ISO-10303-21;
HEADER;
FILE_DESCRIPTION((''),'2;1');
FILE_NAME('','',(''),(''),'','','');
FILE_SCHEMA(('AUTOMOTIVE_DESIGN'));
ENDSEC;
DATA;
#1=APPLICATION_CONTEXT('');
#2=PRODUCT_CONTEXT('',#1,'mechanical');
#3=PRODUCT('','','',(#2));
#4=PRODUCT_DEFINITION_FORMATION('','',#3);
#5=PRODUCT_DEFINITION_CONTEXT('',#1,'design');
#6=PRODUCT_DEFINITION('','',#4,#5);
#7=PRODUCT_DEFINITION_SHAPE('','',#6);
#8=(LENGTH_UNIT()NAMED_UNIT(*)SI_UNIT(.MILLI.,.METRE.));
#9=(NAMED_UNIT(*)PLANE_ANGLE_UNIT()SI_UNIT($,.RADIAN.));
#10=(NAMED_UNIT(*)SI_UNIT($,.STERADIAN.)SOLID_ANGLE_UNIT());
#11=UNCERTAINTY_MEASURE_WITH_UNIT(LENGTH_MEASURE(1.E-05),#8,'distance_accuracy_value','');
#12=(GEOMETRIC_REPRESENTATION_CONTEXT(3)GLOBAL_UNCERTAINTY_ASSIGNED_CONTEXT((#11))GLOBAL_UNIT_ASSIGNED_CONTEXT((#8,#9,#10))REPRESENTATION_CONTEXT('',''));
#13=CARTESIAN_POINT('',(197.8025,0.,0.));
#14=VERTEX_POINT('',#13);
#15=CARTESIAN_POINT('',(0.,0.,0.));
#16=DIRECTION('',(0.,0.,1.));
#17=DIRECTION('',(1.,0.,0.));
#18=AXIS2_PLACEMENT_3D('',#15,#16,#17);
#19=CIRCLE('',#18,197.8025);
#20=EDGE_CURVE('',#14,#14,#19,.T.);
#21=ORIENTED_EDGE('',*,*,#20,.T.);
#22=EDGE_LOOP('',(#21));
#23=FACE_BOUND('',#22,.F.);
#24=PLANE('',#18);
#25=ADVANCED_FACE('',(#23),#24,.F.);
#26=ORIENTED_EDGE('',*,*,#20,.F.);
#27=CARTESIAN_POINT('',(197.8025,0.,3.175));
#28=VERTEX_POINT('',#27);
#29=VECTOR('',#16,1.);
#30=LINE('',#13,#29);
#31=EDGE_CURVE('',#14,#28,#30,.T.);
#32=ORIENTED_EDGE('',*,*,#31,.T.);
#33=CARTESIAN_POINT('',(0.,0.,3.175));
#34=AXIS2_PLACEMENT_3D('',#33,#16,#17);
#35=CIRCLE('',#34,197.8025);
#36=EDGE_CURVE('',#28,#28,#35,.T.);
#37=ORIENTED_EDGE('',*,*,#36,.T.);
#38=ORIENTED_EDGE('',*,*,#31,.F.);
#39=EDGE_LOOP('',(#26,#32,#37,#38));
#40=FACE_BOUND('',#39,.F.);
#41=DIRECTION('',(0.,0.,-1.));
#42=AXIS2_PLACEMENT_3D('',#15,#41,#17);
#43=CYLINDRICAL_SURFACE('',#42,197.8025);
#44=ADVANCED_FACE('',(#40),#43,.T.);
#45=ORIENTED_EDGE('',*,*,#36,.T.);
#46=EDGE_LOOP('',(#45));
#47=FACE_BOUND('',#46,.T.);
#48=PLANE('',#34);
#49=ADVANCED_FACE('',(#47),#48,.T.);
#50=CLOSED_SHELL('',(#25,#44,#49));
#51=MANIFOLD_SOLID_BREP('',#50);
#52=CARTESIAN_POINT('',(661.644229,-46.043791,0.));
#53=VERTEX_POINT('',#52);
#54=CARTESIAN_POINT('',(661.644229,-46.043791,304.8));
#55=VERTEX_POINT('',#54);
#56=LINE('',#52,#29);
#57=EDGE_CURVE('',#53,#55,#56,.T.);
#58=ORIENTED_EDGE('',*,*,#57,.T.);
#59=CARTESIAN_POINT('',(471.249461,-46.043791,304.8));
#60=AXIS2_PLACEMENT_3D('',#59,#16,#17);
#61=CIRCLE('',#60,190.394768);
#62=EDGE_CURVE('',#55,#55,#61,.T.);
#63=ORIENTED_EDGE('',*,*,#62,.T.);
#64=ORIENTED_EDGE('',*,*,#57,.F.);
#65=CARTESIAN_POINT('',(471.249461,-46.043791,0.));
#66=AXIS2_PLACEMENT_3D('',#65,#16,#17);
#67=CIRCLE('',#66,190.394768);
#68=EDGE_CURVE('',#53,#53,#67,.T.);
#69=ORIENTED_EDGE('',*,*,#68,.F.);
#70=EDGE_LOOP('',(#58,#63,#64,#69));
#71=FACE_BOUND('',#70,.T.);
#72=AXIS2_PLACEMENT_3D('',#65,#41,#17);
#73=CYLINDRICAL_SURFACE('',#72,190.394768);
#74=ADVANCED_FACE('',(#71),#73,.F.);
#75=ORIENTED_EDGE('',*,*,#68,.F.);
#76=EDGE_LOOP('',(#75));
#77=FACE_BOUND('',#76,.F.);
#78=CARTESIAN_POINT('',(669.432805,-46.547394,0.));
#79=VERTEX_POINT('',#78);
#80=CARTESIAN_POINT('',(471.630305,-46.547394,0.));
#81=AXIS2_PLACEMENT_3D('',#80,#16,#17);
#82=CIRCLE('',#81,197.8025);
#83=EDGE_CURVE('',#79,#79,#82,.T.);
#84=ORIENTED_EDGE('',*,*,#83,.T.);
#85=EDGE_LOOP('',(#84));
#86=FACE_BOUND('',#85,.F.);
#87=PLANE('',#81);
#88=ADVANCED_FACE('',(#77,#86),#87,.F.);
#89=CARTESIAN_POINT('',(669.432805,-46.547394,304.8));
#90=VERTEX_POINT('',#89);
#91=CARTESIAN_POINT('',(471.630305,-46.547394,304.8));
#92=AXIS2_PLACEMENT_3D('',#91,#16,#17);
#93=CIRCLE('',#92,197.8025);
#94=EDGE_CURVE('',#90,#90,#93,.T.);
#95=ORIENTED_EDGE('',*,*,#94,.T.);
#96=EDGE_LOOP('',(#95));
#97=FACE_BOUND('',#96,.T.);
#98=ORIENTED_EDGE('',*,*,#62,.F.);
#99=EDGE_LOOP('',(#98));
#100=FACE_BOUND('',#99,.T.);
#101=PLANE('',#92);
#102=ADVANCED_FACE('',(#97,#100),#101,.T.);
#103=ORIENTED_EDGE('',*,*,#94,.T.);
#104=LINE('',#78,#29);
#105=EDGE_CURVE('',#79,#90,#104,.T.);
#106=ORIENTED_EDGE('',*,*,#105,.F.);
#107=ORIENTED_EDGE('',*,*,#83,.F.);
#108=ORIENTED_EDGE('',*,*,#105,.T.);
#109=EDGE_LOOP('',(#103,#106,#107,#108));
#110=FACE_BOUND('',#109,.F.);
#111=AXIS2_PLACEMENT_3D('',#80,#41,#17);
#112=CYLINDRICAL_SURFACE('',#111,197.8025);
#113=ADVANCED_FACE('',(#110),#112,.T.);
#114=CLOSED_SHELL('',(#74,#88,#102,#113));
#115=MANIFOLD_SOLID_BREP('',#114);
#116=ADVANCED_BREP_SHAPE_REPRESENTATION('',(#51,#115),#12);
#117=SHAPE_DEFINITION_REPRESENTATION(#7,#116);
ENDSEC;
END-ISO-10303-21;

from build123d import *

# Parameters (mm, degrees)
F0_R     = 197.8025
F1_DEPTH = 3.175
F3_R     = 197.8025
F3_R_2   = 190.394768
F4_DEPTH = 304.8


with BuildPart() as f1:
    # F0 (on Top) → F1 (new body)
    with BuildSketch(Plane.XY):
        Circle(F0_R)
    extrude(amount=F1_DEPTH)


with BuildPart() as f4:
    # F3 (on face) → F4 (new body)
    with BuildSketch(Plane.XY):
        with Locations((471.630305, -46.547394)):
            Circle(F3_R)
        with Locations((471.249461, -46.043791)):
            Circle(F3_R_2, mode=Mode.SUBTRACT)
    extrude(amount=F4_DEPTH)


solid = Compound([f1.part, f4.part])
